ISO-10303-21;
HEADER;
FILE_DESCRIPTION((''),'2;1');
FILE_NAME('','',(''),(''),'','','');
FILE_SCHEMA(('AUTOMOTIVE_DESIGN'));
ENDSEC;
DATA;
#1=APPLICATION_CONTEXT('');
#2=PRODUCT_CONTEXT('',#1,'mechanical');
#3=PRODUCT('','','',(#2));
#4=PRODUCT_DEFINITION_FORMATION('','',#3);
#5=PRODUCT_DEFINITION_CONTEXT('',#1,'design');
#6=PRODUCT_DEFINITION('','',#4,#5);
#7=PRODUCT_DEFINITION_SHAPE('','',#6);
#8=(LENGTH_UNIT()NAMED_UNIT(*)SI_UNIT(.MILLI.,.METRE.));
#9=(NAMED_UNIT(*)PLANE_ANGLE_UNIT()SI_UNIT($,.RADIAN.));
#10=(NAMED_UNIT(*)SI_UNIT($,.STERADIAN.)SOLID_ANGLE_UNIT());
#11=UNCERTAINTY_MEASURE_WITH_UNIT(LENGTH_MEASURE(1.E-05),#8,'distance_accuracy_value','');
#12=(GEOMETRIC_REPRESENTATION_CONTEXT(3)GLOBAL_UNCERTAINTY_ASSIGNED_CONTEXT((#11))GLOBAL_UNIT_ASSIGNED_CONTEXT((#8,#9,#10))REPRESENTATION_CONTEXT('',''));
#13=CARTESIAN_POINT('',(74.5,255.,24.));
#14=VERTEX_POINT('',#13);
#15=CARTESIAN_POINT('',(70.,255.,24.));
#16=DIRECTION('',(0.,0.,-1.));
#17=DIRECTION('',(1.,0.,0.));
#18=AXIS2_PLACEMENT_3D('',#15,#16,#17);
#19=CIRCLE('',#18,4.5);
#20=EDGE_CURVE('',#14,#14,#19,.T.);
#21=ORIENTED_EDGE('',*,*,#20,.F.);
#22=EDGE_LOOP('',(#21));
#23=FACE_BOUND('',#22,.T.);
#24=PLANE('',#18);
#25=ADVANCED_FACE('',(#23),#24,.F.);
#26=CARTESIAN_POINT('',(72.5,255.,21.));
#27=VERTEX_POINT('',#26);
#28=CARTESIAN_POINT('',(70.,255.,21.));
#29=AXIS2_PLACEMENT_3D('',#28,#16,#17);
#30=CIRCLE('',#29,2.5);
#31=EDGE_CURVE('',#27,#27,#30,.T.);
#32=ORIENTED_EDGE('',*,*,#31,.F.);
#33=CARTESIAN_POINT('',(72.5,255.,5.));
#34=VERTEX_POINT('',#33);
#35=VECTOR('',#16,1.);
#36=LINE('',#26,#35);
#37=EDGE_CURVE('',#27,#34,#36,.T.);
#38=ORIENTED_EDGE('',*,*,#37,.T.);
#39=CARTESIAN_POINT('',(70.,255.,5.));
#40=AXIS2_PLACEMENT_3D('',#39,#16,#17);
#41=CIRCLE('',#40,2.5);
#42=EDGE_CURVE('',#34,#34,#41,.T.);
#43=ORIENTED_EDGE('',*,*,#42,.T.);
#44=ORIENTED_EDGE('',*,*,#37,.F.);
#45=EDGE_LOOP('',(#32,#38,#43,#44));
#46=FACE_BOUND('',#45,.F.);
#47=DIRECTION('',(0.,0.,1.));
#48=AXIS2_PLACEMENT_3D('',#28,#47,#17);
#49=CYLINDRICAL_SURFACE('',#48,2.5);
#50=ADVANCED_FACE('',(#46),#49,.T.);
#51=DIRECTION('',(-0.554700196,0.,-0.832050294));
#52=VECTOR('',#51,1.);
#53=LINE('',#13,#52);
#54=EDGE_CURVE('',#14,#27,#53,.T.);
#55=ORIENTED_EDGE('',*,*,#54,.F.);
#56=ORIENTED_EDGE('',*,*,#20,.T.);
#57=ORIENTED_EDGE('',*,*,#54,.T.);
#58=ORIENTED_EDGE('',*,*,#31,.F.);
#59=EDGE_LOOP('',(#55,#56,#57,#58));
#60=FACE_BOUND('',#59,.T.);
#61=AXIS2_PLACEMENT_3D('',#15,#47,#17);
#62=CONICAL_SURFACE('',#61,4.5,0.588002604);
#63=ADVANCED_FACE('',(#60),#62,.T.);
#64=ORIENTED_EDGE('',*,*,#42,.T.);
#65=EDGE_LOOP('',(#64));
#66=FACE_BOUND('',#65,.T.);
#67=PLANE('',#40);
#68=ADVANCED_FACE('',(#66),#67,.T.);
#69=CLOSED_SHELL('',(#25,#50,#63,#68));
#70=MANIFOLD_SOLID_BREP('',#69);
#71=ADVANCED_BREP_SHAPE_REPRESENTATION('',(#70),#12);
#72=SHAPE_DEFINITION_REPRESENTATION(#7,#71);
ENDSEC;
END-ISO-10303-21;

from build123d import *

# Parameters (mm, degrees)
CYLINDER011_R                   = 2.5
CYLINDER011_DEPTH               = 16
FUSION001018017_PLACEMENT_ANGLE = 180
CLONE023_PLACEMENT_ANGLE        = 180


with BuildPart() as cone003:
    # Cone003 → Cone003 (revolve)
    with BuildSketch(Plane(origin=(0, 0, -3), x_dir=(1, 0, 0), z_dir=(0, -1, 0))):
        Polygon((0, 0), (4.5, 0), (2.5, 3), (0, 3), align=None)
    revolve(axis=Axis((0, 0, -3), (0, 0, 1)))


with BuildPart() as m5x16_senkkopf007:
    # Cylinder011 → Cylinder011 (new body)
    with BuildSketch(Plane.XY):
        Circle(CYLINDER011_R)
    extrude(amount=CYLINDER011_DEPTH)

    # Fusion001018017: union Cone003
    add(cone003.part)


with BuildPart() as m5x16_senkkopf007_1:
    # Fusion001018017 placement: moved
    add(m5x16_senkkopf007.part.moved(Location((45, 15, 21))).rotate(Axis((45, 15, 21), (0, 1, 0)), FUSION001018017_PLACEMENT_ANGLE))


with BuildPart() as m5x16_senkkopf007_2:
    # Clone023 placement: moved
    add(m5x16_senkkopf007_1.part.moved(Location((115, 270, 0))).rotate(Axis((115, 270, 0), (0, 0, 1)), CLONE023_PLACEMENT_ANGLE))


solid = m5x16_senkkopf007_2.part
